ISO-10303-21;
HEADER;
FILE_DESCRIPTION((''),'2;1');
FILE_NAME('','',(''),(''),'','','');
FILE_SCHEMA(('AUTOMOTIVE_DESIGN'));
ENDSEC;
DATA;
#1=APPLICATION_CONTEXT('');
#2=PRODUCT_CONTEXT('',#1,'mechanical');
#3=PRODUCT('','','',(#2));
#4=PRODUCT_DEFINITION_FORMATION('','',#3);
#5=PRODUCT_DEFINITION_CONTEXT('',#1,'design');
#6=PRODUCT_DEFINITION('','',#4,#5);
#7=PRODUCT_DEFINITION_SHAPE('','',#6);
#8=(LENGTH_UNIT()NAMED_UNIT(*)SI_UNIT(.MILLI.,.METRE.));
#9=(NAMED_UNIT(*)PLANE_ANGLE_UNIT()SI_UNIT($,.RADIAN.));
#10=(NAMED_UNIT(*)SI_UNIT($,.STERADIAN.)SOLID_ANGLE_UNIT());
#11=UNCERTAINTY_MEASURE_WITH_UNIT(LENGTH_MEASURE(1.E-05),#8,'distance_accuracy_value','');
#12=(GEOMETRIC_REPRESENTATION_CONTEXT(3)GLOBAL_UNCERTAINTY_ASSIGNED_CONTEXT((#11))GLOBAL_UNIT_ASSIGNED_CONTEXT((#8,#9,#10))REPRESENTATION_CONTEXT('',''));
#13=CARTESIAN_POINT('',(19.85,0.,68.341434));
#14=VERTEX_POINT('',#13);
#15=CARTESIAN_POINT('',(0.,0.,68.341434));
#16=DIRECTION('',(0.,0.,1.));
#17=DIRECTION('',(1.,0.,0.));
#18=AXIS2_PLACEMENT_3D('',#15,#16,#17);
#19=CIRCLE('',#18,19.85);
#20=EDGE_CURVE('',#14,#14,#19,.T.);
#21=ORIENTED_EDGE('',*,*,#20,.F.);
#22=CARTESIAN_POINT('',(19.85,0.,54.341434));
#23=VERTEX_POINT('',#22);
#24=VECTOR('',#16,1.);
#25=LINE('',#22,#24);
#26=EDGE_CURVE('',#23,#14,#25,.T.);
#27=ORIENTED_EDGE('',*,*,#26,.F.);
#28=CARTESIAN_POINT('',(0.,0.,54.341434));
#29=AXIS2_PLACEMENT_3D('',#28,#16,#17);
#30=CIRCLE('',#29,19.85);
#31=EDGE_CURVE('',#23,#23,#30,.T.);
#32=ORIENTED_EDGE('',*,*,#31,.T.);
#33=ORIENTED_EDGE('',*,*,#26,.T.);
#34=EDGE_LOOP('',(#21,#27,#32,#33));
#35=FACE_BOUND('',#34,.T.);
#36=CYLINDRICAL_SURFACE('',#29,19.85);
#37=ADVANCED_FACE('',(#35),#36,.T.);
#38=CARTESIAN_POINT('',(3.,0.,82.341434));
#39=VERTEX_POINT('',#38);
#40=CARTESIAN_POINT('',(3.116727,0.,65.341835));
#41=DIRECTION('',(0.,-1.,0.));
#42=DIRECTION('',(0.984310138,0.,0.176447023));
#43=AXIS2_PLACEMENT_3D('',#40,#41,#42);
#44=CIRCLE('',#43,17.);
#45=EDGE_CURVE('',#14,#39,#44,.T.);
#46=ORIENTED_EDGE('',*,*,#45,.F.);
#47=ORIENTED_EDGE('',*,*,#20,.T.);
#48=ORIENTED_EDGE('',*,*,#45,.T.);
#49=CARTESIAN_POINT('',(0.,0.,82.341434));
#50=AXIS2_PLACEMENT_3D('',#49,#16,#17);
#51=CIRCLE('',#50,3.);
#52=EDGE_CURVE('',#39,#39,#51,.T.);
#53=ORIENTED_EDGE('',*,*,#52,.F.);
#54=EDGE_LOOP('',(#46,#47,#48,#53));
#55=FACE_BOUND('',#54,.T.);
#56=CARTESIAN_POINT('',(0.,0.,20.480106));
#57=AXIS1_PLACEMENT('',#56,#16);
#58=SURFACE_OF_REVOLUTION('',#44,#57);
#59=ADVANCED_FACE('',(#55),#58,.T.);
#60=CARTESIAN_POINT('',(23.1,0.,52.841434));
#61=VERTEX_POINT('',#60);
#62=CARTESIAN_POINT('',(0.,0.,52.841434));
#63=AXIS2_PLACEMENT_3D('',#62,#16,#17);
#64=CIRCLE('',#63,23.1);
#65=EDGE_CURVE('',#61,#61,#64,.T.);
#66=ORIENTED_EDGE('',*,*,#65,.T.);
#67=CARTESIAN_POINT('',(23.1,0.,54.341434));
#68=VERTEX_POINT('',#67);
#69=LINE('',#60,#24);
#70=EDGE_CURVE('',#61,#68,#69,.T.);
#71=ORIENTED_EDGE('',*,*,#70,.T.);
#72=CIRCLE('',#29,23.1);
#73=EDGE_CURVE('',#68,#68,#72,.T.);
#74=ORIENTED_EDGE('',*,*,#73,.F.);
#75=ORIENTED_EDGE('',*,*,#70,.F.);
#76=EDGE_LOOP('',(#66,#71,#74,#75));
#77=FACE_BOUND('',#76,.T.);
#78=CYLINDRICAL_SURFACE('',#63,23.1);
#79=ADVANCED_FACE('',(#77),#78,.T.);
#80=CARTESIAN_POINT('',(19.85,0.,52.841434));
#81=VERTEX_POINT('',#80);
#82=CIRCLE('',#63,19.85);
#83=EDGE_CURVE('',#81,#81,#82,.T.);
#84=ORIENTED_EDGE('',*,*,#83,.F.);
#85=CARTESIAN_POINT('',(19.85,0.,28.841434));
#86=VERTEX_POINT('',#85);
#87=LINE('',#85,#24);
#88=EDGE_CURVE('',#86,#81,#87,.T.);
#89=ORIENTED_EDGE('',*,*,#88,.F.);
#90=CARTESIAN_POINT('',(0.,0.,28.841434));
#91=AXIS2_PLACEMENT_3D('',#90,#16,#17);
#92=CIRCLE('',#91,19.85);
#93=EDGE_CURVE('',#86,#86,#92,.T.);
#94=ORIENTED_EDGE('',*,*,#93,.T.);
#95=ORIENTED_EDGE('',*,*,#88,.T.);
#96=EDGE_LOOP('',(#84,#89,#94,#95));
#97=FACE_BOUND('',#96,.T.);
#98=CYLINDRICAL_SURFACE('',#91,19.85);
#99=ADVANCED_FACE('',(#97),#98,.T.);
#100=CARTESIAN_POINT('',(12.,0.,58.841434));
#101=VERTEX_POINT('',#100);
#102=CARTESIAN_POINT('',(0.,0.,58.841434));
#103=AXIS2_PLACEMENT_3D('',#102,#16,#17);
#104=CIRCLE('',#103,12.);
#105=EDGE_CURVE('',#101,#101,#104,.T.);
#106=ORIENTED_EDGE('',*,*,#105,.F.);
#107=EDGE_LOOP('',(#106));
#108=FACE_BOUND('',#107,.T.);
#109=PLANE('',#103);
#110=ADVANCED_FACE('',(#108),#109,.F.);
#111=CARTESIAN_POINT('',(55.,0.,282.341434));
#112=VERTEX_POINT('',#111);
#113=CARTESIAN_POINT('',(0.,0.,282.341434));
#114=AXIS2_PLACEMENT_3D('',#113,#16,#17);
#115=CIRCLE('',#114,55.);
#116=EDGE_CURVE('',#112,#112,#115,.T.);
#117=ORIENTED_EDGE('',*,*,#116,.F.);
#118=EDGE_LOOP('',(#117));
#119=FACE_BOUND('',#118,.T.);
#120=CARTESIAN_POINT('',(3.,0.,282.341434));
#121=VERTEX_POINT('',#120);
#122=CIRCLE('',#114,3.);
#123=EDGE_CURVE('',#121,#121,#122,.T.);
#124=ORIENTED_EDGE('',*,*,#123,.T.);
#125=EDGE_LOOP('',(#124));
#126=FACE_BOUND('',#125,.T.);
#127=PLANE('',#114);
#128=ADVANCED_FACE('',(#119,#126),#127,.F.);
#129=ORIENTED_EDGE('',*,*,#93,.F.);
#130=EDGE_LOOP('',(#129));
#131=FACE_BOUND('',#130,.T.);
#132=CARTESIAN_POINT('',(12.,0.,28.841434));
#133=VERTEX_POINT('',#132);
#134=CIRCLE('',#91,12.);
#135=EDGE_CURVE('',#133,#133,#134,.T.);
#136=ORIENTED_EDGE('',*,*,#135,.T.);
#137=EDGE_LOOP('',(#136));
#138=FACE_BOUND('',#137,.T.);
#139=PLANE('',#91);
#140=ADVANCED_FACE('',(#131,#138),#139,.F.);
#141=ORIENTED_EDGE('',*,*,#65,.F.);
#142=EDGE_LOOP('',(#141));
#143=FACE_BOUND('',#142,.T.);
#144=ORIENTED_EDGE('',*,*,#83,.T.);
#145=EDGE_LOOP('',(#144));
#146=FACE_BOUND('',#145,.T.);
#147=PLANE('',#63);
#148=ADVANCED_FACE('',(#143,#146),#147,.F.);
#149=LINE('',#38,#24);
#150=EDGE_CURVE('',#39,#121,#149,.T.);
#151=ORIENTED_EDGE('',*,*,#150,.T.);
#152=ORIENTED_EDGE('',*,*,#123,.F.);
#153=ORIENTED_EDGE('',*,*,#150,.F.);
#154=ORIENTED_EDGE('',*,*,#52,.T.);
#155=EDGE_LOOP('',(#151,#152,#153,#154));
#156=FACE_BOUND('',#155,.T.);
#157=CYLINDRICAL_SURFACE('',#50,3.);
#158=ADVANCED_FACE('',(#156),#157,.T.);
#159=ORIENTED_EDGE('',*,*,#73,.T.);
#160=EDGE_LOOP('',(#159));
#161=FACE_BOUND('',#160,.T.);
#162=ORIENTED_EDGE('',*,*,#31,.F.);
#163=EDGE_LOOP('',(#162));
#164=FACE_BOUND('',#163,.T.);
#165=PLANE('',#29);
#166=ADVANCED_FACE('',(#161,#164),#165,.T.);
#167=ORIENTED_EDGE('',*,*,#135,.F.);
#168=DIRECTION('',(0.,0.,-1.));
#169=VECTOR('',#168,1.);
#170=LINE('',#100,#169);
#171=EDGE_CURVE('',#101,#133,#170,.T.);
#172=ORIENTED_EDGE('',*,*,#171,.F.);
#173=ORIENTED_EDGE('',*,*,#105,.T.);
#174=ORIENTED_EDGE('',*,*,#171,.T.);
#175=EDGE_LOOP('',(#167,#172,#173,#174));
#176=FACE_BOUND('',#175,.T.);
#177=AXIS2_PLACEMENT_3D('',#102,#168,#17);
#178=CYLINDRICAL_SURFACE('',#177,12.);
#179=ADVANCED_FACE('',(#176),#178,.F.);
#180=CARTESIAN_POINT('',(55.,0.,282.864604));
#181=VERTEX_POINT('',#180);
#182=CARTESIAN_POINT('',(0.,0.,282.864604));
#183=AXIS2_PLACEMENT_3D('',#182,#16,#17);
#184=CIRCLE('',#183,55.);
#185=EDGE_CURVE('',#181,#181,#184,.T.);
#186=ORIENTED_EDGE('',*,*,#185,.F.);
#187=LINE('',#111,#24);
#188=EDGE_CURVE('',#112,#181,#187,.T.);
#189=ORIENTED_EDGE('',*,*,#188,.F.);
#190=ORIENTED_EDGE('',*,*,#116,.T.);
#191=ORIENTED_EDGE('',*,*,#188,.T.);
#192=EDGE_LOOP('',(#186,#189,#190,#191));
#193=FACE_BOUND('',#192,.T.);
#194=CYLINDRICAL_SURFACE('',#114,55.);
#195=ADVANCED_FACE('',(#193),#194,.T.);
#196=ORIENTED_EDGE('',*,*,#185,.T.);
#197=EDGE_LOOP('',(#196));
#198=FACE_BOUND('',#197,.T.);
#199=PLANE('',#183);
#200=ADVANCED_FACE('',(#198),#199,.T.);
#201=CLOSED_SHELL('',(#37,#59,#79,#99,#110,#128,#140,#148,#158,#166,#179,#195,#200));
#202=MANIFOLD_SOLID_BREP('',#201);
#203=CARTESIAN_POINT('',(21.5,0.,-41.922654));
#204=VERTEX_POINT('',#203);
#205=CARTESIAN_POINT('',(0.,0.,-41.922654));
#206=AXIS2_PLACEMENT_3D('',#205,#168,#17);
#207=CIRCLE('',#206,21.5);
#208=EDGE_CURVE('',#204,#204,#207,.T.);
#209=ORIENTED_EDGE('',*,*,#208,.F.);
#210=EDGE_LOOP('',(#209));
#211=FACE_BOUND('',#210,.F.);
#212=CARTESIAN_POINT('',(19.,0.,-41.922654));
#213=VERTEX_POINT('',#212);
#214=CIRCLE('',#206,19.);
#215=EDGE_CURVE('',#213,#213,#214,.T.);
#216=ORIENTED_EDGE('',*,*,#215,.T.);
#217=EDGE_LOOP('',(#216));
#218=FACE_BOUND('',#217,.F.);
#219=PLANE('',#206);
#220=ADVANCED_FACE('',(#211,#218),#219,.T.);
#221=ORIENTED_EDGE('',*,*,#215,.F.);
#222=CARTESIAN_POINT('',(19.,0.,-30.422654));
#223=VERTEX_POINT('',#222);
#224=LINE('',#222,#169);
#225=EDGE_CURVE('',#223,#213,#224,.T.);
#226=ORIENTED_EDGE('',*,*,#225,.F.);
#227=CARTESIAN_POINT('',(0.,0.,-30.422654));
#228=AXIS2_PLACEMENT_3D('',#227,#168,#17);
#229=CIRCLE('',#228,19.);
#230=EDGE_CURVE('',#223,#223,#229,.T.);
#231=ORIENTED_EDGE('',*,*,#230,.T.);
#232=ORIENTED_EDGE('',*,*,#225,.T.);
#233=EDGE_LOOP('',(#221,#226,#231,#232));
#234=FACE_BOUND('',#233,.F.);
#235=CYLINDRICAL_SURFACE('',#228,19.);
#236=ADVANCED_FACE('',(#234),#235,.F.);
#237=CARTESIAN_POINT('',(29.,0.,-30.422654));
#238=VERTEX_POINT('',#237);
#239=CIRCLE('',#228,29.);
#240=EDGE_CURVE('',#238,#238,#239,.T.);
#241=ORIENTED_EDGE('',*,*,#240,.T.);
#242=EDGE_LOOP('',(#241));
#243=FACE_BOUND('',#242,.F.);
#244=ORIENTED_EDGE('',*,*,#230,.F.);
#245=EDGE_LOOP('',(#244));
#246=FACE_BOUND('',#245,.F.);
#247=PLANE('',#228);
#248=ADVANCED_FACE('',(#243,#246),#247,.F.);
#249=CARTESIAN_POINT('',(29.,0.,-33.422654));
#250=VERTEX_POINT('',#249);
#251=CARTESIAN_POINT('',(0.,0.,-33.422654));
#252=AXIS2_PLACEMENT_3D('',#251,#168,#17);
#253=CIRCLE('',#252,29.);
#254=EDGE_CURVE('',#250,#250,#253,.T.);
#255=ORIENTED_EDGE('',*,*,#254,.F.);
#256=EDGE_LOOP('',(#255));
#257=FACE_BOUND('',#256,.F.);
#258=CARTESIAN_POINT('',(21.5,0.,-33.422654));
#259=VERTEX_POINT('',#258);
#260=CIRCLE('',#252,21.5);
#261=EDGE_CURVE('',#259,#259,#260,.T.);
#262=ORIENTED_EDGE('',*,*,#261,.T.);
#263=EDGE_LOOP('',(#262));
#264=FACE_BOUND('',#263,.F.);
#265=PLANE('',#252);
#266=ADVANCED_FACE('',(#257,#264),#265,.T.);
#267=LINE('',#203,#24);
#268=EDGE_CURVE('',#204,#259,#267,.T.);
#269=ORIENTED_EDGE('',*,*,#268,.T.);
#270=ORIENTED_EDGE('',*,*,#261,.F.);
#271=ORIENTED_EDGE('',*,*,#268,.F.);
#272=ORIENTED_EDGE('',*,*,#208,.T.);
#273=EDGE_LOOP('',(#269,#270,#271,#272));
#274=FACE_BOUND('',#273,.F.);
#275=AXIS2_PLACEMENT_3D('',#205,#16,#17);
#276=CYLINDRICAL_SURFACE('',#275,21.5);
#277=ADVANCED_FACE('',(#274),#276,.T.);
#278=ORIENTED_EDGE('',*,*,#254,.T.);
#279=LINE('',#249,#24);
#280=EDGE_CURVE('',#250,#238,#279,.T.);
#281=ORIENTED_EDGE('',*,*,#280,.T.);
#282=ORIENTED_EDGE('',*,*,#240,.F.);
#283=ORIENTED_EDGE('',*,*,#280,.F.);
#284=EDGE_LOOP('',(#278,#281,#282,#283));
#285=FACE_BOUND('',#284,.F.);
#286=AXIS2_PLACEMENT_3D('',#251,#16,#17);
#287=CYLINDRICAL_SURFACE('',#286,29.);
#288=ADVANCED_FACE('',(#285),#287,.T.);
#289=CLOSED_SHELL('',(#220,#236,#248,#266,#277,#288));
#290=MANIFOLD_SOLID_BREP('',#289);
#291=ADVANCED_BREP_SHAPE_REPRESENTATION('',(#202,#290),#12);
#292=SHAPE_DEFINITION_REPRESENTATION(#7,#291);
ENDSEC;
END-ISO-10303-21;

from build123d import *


with BuildPart() as f1:
    # F0 (on Front) → F1 (revolve)
    with BuildSketch(Plane.XZ):
        with BuildLine():
            Line((0, 282.864604), (0, 58.841434))
            Line((0, 58.841434), (12, 58.841434))
            Line((12, 58.841434), (12, 28.841434))
            Line((12, 28.841434), (19.85, 28.841434))
            Line((19.85, 28.841434), (19.85, 52.841434))
            Line((19.85, 52.841434), (23.1, 52.841434))
            Line((23.1, 52.841434), (23.1, 54.341434))
            Line((23.1, 54.341434), (19.85, 54.341434))
            Line((19.85, 54.341434), (19.85, 68.341434))
            ThreePointArc((19.85, 68.341434), (13.980769, 78.417484), (3, 82.341434))
            Line((3, 82.341434), (3, 282.341434))
            Line((3, 282.341434), (55, 282.341434))
            Line((55, 282.341434), (55, 282.864604))
            Line((55, 282.864604), (0, 282.864604))
        make_face()
    revolve(axis=Axis((0, 0, 20.480106), (0, 0, 1)))


with BuildPart() as f3:
    # F2 (on Front) → F3 (revolve)
    with BuildSketch(Plane.XZ):
        Polygon((21.5, -33.422654), (29, -33.422654), (29, -30.422654), (19, -30.422654), (19, -41.922654), (21.5, -41.922654), align=None)
    revolve(axis=Axis((0, 0, -37.685428), (0, 0, -1)))


solid = Compound([f1.part, f3.part])
